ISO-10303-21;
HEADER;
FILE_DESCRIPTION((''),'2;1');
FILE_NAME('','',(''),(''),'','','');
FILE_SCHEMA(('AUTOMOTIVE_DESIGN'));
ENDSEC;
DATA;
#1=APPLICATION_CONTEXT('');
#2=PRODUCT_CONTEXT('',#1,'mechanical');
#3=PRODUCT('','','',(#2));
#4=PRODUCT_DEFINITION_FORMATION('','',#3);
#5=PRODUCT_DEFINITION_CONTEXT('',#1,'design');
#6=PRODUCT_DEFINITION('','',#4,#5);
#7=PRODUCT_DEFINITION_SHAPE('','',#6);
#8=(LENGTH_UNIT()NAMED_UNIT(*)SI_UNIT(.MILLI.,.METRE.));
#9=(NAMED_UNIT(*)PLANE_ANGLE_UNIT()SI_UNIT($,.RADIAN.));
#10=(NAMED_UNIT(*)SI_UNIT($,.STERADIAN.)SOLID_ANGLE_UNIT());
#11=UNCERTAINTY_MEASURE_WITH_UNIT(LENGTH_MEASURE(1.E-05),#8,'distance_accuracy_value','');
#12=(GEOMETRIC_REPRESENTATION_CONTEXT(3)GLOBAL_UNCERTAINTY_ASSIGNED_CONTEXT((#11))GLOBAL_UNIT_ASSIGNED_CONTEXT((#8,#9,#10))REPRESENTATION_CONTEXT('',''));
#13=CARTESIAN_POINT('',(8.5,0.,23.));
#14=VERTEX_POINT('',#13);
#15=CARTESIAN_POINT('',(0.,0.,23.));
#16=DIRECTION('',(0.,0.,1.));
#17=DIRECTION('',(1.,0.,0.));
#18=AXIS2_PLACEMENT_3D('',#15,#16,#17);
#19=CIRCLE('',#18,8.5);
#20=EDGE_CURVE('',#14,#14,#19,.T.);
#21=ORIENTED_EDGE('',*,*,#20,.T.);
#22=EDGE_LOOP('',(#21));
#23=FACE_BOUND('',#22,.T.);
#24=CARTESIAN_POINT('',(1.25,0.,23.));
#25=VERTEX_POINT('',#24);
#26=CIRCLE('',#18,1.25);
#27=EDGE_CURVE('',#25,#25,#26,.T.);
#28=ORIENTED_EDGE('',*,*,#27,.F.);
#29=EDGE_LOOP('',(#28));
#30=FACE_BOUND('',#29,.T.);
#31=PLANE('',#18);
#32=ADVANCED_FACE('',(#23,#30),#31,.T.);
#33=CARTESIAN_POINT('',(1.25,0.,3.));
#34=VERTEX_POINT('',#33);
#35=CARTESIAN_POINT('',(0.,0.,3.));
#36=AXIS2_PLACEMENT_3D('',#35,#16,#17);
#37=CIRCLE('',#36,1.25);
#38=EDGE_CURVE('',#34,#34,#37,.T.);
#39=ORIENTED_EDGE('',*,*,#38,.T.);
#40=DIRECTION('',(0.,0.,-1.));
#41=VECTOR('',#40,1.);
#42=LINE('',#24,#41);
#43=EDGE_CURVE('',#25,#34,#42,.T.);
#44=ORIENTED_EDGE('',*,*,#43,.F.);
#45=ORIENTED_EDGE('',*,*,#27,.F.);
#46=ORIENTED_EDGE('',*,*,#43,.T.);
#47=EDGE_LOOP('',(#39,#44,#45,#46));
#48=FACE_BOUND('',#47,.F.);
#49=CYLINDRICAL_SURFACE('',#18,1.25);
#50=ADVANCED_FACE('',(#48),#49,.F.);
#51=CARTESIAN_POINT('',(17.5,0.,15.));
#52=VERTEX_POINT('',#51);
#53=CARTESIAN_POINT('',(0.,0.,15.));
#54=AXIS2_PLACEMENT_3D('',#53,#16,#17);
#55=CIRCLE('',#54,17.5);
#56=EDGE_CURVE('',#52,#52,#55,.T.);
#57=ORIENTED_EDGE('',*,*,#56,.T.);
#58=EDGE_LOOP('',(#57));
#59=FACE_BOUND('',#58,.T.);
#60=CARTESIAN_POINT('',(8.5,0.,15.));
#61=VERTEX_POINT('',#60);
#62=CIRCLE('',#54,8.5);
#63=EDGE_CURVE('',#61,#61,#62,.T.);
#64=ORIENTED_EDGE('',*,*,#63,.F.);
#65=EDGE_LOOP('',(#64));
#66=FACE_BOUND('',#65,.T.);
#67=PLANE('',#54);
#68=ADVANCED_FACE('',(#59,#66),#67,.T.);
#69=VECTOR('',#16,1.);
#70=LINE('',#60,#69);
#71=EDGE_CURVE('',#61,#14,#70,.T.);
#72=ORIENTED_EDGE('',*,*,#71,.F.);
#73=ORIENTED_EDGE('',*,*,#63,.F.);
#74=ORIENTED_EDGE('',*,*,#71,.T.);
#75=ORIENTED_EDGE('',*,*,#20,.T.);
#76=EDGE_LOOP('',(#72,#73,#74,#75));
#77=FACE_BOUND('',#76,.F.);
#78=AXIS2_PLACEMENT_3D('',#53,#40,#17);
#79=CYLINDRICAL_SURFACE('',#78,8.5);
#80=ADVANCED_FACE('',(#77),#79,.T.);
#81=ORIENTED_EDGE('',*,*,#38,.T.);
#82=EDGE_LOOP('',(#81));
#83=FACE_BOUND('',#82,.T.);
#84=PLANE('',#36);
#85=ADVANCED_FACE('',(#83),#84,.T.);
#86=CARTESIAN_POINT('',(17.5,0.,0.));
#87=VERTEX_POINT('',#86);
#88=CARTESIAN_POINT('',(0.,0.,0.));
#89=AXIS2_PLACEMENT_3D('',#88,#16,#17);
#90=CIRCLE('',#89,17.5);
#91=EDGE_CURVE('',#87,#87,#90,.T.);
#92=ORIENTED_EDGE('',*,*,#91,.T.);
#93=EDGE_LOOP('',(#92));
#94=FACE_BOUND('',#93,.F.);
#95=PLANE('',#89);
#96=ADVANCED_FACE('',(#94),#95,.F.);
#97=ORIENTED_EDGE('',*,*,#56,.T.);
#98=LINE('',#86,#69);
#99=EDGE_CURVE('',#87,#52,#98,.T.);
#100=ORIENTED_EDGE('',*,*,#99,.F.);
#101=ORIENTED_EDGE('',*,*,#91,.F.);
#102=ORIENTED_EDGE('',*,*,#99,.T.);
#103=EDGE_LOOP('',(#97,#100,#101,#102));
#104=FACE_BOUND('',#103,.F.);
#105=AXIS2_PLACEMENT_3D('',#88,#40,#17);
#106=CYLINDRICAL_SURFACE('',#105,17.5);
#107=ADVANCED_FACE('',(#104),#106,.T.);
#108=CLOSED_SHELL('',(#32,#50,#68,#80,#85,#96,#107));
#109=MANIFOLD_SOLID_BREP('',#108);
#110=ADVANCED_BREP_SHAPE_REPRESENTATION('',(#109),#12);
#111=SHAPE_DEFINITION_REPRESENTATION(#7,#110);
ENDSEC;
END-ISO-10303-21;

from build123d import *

# Parameters (mm, degrees)
SKETCH1_R           = 17.5
BOSS_EXTRUDE1_DEPTH = 15
SKETCH2_R           = 8.5
BOSS_EXTRUDE2_DEPTH = 8
SKETCH3_R           = 1.25
CUT_EXTRUDE1_DEPTH  = 20


with BuildPart() as part:
    # Sketch1 → Boss-Extrude1 (new body)
    with BuildSketch(Plane.XY):
        Circle(SKETCH1_R)
    extrude(amount=BOSS_EXTRUDE1_DEPTH)

    # Sketch2 → Boss-Extrude2 (add)
    with BuildSketch(Plane.XY.offset(15)):
        Circle(SKETCH2_R)
    extrude(amount=BOSS_EXTRUDE2_DEPTH)

    # Sketch3 → Cut-Extrude1 (cut)
    with BuildSketch(Plane.XY.offset(23)):
        Circle(SKETCH3_R)
    extrude(amount=-CUT_EXTRUDE1_DEPTH, mode=Mode.SUBTRACT)


solid = part.part
